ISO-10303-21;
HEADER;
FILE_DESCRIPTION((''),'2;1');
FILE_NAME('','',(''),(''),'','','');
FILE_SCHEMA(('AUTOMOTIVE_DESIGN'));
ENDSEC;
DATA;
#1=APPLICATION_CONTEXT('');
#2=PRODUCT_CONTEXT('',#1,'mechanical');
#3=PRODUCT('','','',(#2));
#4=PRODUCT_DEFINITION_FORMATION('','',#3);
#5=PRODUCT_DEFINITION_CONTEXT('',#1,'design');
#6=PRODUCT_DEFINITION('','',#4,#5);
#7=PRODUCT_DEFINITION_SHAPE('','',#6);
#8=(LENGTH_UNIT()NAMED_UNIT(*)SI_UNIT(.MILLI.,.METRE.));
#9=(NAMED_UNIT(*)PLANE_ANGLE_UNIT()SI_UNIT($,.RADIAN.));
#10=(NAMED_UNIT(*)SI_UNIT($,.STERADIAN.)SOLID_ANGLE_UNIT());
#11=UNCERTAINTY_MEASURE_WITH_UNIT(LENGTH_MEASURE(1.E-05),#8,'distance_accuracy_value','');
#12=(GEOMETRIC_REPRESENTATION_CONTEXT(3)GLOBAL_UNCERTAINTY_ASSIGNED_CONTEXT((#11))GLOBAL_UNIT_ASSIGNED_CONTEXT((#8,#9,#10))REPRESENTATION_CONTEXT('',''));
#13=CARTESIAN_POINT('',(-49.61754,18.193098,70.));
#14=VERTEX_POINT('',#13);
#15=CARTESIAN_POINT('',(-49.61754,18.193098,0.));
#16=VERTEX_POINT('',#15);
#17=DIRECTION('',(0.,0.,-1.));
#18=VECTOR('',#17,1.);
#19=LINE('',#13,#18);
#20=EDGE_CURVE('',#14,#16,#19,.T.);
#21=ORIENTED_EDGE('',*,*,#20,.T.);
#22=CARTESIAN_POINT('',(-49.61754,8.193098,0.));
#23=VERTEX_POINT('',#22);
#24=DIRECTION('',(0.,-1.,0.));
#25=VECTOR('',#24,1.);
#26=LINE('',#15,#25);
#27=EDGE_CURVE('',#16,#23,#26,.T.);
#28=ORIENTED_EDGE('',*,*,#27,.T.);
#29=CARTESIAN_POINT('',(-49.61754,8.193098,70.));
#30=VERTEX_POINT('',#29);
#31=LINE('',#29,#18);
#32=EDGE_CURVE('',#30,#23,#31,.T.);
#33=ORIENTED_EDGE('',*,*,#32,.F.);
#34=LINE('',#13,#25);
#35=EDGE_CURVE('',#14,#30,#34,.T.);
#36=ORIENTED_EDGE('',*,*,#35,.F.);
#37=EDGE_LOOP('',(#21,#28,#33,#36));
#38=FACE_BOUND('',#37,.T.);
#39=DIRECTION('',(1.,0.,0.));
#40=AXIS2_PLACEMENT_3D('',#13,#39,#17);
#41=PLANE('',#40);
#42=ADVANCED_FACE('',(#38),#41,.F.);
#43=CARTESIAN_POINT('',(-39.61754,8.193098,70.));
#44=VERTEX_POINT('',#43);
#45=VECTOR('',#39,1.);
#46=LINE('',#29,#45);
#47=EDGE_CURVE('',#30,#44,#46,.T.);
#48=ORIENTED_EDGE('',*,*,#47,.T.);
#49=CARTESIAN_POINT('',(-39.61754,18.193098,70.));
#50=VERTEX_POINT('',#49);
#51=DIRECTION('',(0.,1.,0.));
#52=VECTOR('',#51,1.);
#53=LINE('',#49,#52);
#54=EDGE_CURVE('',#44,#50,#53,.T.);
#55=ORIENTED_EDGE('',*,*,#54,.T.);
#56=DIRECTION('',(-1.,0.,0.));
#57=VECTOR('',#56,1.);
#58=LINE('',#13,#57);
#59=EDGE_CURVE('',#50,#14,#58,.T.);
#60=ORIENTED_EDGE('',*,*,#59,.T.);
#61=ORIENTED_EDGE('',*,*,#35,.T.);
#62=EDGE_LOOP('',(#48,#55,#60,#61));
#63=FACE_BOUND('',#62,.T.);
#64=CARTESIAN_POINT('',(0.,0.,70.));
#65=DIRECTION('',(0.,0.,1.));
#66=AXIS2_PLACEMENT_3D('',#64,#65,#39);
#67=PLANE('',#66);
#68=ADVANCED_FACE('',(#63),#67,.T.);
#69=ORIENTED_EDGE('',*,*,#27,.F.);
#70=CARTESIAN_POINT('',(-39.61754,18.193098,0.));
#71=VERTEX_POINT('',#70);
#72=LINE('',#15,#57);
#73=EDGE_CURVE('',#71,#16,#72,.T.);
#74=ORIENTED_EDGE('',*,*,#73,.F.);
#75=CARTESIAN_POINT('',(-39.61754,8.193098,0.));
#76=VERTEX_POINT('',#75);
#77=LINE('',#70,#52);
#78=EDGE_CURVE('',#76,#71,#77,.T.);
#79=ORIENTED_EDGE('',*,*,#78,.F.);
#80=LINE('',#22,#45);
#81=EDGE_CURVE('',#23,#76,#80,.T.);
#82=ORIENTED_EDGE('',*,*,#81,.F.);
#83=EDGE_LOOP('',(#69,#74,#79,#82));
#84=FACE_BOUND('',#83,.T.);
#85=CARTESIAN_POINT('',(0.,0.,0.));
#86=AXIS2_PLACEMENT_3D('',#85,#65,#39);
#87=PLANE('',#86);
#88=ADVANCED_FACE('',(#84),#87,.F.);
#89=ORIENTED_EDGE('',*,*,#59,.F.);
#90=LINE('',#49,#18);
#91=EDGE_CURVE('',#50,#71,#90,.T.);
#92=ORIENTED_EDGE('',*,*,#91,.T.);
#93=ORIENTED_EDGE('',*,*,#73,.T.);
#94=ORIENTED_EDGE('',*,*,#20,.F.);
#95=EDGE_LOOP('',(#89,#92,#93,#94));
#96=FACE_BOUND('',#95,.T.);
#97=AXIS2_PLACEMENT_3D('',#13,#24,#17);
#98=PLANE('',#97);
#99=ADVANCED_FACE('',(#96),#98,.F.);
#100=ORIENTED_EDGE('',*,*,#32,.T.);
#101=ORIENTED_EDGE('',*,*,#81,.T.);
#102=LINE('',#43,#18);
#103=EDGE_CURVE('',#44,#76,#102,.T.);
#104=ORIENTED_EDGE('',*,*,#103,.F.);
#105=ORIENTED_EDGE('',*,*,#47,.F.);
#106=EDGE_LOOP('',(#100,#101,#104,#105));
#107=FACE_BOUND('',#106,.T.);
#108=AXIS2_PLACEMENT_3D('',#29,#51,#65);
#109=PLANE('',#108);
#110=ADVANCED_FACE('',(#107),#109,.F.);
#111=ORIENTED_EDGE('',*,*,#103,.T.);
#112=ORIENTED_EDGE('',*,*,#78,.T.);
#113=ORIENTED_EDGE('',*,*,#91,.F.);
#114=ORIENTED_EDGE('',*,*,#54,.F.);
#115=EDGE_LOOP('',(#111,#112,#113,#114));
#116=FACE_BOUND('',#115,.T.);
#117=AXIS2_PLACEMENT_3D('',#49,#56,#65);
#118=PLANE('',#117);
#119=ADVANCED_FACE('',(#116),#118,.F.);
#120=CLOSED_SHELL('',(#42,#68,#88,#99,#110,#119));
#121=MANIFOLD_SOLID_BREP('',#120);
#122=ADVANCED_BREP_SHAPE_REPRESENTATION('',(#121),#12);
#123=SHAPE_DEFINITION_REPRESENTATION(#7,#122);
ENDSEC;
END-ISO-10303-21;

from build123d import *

# Parameters (mm, degrees)
SKETCH1_W           = 10
SKETCH1_H           = 10
BOSS_EXTRUDE1_DEPTH = 70


with BuildPart() as part:
    # Sketch1 → Boss-Extrude1 (new body)
    with BuildSketch(Plane.XY):
        with Locations((-44.617540212, 13.193098078)):
            Rectangle(SKETCH1_W, SKETCH1_H)
    extrude(amount=BOSS_EXTRUDE1_DEPTH)


solid = part.part
